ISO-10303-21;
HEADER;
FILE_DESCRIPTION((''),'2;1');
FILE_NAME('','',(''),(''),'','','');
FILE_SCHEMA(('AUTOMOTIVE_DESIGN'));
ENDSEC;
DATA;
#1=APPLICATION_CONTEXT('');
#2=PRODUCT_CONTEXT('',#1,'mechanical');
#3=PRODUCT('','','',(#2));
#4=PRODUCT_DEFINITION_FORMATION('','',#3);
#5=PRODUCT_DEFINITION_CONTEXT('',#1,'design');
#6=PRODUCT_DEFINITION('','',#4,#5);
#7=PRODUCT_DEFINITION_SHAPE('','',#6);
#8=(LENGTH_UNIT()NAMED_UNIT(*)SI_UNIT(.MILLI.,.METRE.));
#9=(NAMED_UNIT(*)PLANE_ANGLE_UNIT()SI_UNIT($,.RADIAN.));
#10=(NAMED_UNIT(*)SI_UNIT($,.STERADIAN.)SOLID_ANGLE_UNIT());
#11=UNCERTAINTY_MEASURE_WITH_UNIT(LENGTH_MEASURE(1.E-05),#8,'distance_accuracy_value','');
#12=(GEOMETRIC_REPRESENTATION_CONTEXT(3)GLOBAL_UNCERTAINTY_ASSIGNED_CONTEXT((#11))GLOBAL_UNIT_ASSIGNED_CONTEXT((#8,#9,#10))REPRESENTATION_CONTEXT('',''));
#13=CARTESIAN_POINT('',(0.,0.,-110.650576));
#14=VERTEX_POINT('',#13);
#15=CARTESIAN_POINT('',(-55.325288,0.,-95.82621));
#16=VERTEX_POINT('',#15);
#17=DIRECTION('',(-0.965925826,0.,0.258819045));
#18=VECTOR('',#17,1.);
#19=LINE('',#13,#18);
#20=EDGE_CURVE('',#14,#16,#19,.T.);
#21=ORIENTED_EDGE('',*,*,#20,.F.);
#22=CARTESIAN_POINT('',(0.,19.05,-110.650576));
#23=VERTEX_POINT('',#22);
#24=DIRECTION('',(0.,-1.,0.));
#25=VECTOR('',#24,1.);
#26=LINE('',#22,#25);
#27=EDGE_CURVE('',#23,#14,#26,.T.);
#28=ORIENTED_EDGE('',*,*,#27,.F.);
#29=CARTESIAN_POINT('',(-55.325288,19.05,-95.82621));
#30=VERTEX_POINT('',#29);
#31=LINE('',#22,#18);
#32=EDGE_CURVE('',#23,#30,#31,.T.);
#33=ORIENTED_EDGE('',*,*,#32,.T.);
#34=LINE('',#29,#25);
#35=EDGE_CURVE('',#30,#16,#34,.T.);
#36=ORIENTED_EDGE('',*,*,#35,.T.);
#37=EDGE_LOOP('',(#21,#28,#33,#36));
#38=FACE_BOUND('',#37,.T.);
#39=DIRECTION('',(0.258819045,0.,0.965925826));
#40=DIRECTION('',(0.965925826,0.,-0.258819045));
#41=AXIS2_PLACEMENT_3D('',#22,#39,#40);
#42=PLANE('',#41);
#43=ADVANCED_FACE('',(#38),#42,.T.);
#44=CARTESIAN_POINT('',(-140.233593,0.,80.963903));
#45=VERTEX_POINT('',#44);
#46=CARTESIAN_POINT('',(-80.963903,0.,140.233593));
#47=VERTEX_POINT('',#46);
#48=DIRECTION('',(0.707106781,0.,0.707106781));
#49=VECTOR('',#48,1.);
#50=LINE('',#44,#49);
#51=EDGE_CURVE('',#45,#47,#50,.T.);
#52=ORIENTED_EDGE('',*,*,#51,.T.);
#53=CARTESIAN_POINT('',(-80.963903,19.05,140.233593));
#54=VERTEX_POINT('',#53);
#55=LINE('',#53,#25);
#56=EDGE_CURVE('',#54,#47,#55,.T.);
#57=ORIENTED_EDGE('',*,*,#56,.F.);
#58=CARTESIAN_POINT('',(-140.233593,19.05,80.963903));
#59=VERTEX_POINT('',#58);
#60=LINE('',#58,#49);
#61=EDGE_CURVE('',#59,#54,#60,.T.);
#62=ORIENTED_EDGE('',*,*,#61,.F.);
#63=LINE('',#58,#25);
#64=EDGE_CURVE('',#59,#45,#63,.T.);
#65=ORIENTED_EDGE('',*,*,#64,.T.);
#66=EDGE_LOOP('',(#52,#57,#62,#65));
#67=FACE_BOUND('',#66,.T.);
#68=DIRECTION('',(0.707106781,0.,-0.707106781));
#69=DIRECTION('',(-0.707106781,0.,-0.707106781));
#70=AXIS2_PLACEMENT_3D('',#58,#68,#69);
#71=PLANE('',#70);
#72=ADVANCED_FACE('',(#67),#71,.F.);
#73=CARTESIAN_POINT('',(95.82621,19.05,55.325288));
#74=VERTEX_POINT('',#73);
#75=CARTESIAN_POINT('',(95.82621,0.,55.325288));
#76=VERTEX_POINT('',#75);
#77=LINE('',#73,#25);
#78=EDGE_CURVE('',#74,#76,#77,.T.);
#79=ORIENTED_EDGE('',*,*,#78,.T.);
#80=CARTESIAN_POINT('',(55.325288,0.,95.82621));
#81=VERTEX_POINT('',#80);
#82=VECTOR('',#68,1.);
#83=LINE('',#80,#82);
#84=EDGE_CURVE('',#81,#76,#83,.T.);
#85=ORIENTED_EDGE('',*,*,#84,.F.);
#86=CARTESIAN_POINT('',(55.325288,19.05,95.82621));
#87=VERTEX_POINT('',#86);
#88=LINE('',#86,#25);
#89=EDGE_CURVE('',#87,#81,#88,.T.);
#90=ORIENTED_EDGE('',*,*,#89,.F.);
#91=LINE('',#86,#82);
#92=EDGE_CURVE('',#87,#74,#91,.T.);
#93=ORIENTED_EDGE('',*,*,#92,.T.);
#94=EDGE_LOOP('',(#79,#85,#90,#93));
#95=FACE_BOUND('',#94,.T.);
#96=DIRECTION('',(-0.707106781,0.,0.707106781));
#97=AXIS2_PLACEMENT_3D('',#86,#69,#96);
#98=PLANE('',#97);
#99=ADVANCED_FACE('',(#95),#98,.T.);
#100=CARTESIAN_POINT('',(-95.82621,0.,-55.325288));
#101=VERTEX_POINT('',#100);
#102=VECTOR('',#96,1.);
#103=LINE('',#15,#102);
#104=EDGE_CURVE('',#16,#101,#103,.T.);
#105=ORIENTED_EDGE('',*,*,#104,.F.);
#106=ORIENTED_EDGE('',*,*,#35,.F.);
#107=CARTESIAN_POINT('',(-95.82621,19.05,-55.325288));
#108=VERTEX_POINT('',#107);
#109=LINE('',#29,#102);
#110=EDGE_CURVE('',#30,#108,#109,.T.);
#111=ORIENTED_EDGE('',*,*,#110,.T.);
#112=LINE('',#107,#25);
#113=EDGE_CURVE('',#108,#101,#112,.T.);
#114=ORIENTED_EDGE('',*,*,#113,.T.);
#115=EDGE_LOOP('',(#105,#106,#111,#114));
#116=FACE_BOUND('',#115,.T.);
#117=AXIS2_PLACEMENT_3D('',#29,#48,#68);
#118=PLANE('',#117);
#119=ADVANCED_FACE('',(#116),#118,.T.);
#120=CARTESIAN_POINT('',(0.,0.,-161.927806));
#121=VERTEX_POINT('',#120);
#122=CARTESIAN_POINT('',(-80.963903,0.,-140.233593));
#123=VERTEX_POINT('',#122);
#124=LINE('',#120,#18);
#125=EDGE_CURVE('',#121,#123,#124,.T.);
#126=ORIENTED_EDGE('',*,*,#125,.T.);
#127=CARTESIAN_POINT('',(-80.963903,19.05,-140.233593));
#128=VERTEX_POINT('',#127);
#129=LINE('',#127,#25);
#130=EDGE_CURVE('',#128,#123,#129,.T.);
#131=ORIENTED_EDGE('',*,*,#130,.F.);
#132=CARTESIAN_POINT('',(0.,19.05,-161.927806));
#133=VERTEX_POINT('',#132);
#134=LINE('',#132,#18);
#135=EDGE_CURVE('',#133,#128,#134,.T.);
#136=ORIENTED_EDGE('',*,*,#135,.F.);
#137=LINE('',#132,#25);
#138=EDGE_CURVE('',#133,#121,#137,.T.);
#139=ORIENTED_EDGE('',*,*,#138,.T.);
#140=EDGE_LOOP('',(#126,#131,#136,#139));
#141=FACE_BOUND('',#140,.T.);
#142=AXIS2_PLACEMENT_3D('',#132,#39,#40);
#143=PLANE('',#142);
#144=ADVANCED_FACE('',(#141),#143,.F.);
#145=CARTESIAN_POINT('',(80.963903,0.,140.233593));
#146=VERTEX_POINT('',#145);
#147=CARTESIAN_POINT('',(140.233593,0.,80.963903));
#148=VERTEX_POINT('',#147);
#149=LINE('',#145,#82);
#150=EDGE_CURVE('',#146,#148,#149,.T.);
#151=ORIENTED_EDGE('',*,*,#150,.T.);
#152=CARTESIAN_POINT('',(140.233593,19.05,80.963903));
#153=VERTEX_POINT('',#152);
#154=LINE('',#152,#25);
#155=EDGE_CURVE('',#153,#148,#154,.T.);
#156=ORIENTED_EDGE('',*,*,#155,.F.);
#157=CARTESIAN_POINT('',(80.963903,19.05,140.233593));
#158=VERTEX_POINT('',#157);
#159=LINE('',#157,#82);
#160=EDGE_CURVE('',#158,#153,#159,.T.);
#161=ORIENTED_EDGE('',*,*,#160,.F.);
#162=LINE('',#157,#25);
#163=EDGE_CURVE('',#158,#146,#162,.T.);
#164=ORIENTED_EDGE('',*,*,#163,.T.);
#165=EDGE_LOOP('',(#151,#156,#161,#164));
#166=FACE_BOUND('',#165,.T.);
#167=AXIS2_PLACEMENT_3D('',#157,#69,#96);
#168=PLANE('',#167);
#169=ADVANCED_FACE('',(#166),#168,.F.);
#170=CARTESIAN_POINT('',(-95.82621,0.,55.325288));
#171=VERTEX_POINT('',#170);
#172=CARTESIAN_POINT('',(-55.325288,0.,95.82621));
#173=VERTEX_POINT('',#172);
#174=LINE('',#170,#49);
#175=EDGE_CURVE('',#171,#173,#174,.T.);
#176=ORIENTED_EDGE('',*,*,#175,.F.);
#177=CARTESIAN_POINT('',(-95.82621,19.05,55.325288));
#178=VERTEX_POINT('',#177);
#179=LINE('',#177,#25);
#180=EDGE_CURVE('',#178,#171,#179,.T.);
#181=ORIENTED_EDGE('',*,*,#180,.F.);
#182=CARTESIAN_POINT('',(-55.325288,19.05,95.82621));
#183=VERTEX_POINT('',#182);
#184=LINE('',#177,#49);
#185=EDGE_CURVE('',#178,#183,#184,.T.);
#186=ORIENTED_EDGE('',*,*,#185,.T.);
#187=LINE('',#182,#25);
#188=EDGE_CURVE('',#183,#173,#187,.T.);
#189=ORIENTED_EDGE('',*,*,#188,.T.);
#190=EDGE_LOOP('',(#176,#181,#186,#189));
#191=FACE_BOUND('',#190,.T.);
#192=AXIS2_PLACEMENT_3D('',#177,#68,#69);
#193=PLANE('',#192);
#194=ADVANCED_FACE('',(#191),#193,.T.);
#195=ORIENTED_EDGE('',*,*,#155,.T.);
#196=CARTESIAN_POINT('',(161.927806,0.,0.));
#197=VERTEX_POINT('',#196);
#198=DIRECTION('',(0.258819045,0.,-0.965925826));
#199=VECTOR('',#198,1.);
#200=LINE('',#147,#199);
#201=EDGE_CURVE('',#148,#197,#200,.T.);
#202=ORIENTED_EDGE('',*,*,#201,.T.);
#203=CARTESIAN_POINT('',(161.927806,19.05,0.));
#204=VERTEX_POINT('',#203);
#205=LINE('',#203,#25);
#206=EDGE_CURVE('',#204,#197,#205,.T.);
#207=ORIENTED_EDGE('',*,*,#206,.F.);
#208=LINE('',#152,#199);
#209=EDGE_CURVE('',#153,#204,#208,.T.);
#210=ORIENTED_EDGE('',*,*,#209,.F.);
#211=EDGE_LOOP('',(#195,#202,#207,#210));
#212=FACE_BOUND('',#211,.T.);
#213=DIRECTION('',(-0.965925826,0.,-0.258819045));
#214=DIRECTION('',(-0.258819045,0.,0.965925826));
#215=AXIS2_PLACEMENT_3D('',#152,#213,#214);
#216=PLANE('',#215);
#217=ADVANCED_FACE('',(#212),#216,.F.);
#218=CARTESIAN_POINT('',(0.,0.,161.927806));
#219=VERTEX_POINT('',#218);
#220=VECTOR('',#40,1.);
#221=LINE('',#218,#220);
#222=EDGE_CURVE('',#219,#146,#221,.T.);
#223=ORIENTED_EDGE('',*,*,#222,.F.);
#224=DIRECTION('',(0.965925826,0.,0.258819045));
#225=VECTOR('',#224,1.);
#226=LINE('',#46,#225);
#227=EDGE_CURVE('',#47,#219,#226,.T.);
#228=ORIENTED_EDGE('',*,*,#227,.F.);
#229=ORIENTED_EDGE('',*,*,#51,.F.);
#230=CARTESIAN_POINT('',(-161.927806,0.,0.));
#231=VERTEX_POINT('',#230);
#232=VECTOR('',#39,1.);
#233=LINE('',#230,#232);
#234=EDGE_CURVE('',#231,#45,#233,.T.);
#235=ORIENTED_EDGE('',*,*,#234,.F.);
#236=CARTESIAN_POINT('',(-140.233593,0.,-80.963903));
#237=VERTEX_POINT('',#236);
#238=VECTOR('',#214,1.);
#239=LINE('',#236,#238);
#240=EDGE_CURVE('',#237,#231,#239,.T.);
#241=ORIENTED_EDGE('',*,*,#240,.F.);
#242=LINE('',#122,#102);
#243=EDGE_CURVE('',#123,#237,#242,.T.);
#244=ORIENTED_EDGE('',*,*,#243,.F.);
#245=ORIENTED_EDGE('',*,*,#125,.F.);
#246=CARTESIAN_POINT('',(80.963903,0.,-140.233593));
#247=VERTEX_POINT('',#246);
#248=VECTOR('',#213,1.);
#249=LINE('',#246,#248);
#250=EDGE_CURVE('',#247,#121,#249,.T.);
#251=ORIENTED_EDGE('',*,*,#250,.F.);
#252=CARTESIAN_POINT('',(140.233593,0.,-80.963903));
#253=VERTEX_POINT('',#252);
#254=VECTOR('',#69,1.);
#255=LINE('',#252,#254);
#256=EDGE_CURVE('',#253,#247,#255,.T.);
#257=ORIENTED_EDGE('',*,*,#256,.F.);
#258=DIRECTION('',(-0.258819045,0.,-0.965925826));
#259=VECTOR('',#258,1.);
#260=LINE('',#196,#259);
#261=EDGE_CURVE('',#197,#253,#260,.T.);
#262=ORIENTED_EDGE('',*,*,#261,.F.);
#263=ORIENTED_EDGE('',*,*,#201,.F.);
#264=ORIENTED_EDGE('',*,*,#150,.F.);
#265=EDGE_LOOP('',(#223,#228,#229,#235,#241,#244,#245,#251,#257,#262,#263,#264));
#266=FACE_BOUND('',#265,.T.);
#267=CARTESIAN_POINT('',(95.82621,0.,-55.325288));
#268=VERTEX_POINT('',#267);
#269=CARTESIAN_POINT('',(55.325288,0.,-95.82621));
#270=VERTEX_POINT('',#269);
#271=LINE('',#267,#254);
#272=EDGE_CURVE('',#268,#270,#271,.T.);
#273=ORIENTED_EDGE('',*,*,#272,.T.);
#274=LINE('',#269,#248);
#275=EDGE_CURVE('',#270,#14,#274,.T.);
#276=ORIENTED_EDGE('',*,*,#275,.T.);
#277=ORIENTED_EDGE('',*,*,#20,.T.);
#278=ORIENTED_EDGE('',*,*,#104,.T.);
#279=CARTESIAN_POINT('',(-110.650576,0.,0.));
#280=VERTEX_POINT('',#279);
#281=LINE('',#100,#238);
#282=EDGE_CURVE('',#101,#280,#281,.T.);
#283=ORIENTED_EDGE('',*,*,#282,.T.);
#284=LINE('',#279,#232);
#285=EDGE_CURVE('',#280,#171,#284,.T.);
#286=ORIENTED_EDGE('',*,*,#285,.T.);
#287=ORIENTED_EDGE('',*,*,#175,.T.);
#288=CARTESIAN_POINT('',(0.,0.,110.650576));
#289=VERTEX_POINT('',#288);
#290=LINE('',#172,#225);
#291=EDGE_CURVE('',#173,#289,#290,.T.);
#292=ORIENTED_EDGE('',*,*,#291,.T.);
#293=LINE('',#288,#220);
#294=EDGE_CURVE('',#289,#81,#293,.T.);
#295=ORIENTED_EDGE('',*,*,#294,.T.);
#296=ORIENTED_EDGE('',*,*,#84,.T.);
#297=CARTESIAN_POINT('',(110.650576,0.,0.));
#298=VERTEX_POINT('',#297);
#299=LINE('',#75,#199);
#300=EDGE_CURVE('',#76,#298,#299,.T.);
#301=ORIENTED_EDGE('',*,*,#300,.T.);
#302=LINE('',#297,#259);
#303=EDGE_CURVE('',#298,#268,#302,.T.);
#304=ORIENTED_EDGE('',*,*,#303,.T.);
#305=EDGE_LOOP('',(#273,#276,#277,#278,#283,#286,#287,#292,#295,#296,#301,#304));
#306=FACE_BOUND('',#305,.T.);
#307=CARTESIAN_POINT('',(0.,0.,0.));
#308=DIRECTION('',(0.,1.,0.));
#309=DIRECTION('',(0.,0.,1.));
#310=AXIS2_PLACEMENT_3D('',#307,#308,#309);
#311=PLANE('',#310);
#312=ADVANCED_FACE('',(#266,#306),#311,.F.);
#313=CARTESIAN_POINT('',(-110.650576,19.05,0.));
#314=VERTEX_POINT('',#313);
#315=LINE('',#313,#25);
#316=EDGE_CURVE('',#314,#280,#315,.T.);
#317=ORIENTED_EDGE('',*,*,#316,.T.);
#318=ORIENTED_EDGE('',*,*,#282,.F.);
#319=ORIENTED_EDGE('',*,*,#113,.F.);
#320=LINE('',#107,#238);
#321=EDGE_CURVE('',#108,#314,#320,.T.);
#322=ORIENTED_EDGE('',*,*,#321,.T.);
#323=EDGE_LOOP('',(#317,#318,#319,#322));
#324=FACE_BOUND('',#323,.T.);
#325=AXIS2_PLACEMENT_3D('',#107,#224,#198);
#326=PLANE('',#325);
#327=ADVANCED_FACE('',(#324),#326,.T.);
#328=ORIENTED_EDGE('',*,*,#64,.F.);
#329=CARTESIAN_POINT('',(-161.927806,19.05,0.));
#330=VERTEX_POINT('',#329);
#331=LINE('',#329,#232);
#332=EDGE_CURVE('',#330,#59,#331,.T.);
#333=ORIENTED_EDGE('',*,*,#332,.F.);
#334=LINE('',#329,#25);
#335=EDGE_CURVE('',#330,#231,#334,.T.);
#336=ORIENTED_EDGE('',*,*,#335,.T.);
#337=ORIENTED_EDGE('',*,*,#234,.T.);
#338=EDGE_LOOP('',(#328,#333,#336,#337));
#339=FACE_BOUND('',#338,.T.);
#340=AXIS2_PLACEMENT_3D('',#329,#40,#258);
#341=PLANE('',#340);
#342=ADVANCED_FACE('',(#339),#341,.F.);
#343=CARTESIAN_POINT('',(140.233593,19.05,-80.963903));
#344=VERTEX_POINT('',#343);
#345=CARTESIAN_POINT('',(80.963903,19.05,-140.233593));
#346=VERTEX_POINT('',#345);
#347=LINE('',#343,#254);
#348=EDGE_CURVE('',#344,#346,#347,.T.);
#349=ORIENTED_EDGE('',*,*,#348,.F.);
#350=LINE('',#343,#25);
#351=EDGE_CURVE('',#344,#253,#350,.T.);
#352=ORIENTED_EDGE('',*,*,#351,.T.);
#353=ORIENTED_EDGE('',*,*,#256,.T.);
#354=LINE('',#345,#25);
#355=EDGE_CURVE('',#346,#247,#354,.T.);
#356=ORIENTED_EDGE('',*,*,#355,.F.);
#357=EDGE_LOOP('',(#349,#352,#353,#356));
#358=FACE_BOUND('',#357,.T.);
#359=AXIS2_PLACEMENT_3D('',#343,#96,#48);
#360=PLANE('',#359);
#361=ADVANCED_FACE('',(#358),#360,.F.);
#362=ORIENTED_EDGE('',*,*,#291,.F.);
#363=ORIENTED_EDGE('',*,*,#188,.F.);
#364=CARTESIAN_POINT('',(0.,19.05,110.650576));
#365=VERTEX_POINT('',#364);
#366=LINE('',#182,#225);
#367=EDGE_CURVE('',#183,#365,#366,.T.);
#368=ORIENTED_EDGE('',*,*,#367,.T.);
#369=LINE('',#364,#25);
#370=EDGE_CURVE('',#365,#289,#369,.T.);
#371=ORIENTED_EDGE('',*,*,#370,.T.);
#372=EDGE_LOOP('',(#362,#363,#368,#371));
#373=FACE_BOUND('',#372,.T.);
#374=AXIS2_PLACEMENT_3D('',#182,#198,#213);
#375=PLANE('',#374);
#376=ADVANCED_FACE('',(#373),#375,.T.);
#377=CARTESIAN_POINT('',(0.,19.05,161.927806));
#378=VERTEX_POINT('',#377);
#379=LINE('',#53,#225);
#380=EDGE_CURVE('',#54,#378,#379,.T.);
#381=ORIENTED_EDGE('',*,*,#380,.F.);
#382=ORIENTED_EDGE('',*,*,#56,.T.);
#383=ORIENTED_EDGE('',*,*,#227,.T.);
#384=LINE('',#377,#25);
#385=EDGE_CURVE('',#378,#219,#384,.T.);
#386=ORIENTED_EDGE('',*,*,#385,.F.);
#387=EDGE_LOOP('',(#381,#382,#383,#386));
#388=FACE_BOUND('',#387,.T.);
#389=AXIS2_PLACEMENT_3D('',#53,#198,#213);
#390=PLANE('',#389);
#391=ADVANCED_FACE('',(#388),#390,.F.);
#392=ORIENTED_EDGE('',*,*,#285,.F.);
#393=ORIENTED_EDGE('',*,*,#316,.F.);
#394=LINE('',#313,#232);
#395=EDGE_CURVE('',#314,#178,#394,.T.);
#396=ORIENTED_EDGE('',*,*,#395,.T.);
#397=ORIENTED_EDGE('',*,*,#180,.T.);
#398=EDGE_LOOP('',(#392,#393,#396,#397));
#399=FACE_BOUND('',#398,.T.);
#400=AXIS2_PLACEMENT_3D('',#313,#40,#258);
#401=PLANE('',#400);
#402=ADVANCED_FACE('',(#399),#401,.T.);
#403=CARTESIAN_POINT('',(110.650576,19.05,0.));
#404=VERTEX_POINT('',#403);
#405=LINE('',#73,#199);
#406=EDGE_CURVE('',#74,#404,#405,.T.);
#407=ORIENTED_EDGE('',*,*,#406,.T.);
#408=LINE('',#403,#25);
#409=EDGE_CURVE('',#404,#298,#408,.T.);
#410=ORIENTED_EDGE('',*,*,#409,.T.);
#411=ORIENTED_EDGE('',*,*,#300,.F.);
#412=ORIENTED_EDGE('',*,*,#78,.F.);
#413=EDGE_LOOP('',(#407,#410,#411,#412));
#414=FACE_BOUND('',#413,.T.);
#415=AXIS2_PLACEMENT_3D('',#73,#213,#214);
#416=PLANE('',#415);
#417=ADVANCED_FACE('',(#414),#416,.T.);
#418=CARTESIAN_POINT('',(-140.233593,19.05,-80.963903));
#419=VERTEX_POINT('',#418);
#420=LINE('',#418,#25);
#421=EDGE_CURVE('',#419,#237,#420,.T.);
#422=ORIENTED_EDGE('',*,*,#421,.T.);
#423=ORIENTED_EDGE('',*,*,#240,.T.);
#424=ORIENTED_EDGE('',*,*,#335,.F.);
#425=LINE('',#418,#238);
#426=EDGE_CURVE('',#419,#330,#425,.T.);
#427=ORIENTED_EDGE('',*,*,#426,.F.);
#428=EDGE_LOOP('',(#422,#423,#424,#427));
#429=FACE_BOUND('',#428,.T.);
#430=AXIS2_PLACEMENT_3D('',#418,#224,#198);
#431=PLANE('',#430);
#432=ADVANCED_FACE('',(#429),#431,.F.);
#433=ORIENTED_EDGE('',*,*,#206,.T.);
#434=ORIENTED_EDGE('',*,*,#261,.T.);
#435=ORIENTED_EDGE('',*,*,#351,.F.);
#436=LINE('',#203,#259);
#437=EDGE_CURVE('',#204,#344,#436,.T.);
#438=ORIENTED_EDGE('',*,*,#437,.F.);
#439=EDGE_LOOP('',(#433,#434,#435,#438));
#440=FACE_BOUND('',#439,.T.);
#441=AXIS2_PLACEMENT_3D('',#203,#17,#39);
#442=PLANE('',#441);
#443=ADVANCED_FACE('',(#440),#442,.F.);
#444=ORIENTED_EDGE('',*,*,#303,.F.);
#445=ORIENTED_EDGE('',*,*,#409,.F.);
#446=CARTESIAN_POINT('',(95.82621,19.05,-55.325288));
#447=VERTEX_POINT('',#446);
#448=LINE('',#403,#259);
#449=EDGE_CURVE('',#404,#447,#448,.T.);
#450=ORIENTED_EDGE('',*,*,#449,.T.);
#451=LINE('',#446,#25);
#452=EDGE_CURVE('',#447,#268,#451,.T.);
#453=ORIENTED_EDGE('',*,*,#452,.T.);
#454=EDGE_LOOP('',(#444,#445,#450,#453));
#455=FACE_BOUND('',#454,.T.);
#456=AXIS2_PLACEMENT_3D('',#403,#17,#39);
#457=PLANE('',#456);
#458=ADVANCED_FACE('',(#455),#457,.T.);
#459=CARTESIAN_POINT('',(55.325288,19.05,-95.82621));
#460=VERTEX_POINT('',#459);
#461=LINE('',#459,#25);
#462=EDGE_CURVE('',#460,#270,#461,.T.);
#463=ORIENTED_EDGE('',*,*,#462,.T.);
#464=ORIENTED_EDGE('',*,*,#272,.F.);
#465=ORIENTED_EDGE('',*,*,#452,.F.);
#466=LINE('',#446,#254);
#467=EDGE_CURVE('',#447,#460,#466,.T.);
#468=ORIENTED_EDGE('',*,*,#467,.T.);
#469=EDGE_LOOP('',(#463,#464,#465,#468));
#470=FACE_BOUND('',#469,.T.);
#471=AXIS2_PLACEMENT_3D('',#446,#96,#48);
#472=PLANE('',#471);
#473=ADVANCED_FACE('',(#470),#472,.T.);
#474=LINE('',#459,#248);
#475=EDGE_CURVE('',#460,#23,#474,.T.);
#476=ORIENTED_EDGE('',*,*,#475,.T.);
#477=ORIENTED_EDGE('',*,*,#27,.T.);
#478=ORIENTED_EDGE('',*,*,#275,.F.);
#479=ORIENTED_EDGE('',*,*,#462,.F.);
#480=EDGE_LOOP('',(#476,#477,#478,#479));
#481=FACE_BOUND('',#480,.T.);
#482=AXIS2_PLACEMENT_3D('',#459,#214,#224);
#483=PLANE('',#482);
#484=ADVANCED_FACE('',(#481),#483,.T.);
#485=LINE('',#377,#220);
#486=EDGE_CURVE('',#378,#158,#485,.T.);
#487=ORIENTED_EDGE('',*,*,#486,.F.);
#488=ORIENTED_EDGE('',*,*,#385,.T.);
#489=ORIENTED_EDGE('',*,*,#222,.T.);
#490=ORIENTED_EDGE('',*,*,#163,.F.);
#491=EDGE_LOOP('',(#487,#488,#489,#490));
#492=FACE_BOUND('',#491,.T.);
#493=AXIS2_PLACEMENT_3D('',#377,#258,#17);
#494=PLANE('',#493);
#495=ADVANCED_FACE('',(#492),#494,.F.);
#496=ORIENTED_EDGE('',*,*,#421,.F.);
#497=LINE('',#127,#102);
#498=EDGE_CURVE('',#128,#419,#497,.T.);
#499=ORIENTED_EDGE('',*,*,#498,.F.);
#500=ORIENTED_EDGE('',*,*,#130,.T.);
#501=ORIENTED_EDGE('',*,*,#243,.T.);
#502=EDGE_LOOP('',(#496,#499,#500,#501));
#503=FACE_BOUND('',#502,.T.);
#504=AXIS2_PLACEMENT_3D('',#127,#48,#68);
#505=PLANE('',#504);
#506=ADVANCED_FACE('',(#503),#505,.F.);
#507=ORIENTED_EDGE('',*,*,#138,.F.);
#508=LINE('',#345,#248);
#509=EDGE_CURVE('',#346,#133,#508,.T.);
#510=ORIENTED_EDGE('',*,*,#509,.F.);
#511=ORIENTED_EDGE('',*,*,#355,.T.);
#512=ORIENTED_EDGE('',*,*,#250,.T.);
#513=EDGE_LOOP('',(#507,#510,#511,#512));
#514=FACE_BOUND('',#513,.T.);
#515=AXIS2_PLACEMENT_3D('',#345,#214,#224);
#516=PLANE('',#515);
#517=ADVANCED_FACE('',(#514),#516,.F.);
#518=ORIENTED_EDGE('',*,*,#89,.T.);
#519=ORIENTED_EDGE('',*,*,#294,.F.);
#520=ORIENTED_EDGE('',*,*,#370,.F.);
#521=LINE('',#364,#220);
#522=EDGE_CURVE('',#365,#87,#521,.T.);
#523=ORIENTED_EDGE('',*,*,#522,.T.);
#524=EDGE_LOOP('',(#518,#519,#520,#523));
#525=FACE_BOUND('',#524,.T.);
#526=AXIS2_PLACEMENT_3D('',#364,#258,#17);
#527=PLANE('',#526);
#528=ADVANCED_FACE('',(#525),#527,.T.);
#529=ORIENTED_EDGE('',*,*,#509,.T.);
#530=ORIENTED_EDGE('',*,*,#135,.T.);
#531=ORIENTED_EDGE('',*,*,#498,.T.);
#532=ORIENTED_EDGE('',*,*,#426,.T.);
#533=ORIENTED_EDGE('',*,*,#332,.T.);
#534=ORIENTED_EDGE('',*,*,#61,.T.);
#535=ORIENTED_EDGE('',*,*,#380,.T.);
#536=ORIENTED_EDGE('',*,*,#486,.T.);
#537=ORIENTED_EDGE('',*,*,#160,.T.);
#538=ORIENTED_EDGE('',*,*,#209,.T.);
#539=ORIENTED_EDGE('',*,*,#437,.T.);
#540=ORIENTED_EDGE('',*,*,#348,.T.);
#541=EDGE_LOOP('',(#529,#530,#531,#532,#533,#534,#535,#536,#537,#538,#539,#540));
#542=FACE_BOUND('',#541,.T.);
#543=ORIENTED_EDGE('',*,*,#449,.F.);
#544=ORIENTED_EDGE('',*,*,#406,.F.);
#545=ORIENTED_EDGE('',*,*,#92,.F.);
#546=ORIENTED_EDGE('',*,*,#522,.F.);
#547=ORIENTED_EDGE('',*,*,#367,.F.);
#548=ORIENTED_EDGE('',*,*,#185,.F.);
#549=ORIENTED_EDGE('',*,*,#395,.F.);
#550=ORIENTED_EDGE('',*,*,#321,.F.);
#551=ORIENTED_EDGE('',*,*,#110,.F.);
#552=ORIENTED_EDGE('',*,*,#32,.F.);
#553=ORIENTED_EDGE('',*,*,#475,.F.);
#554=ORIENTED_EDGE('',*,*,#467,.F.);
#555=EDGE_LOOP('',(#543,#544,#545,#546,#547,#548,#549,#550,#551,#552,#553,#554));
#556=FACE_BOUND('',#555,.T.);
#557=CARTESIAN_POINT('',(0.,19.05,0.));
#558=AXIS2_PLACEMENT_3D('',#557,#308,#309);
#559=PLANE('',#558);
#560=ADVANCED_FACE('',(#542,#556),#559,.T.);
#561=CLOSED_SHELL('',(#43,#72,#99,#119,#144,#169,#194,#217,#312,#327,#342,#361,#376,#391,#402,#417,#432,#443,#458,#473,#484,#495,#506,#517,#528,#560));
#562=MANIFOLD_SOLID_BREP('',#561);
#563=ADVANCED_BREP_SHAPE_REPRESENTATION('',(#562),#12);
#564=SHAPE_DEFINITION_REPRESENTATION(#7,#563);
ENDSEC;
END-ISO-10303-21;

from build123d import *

# Parameters (mm, degrees)
BOSS_EXTRUDE2_DEPTH = 19.05


with BuildPart() as part:
    # Sketch2 → Boss-Extrude2 (new body)
    with BuildSketch(Plane(origin=(0, 0, 0), x_dir=(1, 0, 0), z_dir=(0, 1, 0))):
        Polygon((-161.927805519, 0), (-140.233593159, -80.96390276), (-80.96390276, -140.233593159), (0, -161.927805519), (80.96390276, -140.233593159), (140.233593159, -80.96390276), (161.927805519, 0), (140.233593159, 80.96390276), (80.96390276, 140.233593159), (0, 161.927805519), (-80.96390276, 140.233593159), (-140.233593159, 80.96390276), align=None)
        Polygon((-110.650576303, 0), (-95.826210022, -55.325288152), (-55.325288152, -95.826210022), (0, -110.650576303), (55.325288152, -95.826210022), (95.826210022, -55.325288152), (110.650576303, 0), (95.826210022, 55.325288152), (55.325288152, 95.826210022), (0, 110.650576303), (-55.325288152, 95.826210022), (-95.826210022, 55.325288152), align=None, mode=Mode.SUBTRACT)
    extrude(amount=BOSS_EXTRUDE2_DEPTH)


solid = part.part
